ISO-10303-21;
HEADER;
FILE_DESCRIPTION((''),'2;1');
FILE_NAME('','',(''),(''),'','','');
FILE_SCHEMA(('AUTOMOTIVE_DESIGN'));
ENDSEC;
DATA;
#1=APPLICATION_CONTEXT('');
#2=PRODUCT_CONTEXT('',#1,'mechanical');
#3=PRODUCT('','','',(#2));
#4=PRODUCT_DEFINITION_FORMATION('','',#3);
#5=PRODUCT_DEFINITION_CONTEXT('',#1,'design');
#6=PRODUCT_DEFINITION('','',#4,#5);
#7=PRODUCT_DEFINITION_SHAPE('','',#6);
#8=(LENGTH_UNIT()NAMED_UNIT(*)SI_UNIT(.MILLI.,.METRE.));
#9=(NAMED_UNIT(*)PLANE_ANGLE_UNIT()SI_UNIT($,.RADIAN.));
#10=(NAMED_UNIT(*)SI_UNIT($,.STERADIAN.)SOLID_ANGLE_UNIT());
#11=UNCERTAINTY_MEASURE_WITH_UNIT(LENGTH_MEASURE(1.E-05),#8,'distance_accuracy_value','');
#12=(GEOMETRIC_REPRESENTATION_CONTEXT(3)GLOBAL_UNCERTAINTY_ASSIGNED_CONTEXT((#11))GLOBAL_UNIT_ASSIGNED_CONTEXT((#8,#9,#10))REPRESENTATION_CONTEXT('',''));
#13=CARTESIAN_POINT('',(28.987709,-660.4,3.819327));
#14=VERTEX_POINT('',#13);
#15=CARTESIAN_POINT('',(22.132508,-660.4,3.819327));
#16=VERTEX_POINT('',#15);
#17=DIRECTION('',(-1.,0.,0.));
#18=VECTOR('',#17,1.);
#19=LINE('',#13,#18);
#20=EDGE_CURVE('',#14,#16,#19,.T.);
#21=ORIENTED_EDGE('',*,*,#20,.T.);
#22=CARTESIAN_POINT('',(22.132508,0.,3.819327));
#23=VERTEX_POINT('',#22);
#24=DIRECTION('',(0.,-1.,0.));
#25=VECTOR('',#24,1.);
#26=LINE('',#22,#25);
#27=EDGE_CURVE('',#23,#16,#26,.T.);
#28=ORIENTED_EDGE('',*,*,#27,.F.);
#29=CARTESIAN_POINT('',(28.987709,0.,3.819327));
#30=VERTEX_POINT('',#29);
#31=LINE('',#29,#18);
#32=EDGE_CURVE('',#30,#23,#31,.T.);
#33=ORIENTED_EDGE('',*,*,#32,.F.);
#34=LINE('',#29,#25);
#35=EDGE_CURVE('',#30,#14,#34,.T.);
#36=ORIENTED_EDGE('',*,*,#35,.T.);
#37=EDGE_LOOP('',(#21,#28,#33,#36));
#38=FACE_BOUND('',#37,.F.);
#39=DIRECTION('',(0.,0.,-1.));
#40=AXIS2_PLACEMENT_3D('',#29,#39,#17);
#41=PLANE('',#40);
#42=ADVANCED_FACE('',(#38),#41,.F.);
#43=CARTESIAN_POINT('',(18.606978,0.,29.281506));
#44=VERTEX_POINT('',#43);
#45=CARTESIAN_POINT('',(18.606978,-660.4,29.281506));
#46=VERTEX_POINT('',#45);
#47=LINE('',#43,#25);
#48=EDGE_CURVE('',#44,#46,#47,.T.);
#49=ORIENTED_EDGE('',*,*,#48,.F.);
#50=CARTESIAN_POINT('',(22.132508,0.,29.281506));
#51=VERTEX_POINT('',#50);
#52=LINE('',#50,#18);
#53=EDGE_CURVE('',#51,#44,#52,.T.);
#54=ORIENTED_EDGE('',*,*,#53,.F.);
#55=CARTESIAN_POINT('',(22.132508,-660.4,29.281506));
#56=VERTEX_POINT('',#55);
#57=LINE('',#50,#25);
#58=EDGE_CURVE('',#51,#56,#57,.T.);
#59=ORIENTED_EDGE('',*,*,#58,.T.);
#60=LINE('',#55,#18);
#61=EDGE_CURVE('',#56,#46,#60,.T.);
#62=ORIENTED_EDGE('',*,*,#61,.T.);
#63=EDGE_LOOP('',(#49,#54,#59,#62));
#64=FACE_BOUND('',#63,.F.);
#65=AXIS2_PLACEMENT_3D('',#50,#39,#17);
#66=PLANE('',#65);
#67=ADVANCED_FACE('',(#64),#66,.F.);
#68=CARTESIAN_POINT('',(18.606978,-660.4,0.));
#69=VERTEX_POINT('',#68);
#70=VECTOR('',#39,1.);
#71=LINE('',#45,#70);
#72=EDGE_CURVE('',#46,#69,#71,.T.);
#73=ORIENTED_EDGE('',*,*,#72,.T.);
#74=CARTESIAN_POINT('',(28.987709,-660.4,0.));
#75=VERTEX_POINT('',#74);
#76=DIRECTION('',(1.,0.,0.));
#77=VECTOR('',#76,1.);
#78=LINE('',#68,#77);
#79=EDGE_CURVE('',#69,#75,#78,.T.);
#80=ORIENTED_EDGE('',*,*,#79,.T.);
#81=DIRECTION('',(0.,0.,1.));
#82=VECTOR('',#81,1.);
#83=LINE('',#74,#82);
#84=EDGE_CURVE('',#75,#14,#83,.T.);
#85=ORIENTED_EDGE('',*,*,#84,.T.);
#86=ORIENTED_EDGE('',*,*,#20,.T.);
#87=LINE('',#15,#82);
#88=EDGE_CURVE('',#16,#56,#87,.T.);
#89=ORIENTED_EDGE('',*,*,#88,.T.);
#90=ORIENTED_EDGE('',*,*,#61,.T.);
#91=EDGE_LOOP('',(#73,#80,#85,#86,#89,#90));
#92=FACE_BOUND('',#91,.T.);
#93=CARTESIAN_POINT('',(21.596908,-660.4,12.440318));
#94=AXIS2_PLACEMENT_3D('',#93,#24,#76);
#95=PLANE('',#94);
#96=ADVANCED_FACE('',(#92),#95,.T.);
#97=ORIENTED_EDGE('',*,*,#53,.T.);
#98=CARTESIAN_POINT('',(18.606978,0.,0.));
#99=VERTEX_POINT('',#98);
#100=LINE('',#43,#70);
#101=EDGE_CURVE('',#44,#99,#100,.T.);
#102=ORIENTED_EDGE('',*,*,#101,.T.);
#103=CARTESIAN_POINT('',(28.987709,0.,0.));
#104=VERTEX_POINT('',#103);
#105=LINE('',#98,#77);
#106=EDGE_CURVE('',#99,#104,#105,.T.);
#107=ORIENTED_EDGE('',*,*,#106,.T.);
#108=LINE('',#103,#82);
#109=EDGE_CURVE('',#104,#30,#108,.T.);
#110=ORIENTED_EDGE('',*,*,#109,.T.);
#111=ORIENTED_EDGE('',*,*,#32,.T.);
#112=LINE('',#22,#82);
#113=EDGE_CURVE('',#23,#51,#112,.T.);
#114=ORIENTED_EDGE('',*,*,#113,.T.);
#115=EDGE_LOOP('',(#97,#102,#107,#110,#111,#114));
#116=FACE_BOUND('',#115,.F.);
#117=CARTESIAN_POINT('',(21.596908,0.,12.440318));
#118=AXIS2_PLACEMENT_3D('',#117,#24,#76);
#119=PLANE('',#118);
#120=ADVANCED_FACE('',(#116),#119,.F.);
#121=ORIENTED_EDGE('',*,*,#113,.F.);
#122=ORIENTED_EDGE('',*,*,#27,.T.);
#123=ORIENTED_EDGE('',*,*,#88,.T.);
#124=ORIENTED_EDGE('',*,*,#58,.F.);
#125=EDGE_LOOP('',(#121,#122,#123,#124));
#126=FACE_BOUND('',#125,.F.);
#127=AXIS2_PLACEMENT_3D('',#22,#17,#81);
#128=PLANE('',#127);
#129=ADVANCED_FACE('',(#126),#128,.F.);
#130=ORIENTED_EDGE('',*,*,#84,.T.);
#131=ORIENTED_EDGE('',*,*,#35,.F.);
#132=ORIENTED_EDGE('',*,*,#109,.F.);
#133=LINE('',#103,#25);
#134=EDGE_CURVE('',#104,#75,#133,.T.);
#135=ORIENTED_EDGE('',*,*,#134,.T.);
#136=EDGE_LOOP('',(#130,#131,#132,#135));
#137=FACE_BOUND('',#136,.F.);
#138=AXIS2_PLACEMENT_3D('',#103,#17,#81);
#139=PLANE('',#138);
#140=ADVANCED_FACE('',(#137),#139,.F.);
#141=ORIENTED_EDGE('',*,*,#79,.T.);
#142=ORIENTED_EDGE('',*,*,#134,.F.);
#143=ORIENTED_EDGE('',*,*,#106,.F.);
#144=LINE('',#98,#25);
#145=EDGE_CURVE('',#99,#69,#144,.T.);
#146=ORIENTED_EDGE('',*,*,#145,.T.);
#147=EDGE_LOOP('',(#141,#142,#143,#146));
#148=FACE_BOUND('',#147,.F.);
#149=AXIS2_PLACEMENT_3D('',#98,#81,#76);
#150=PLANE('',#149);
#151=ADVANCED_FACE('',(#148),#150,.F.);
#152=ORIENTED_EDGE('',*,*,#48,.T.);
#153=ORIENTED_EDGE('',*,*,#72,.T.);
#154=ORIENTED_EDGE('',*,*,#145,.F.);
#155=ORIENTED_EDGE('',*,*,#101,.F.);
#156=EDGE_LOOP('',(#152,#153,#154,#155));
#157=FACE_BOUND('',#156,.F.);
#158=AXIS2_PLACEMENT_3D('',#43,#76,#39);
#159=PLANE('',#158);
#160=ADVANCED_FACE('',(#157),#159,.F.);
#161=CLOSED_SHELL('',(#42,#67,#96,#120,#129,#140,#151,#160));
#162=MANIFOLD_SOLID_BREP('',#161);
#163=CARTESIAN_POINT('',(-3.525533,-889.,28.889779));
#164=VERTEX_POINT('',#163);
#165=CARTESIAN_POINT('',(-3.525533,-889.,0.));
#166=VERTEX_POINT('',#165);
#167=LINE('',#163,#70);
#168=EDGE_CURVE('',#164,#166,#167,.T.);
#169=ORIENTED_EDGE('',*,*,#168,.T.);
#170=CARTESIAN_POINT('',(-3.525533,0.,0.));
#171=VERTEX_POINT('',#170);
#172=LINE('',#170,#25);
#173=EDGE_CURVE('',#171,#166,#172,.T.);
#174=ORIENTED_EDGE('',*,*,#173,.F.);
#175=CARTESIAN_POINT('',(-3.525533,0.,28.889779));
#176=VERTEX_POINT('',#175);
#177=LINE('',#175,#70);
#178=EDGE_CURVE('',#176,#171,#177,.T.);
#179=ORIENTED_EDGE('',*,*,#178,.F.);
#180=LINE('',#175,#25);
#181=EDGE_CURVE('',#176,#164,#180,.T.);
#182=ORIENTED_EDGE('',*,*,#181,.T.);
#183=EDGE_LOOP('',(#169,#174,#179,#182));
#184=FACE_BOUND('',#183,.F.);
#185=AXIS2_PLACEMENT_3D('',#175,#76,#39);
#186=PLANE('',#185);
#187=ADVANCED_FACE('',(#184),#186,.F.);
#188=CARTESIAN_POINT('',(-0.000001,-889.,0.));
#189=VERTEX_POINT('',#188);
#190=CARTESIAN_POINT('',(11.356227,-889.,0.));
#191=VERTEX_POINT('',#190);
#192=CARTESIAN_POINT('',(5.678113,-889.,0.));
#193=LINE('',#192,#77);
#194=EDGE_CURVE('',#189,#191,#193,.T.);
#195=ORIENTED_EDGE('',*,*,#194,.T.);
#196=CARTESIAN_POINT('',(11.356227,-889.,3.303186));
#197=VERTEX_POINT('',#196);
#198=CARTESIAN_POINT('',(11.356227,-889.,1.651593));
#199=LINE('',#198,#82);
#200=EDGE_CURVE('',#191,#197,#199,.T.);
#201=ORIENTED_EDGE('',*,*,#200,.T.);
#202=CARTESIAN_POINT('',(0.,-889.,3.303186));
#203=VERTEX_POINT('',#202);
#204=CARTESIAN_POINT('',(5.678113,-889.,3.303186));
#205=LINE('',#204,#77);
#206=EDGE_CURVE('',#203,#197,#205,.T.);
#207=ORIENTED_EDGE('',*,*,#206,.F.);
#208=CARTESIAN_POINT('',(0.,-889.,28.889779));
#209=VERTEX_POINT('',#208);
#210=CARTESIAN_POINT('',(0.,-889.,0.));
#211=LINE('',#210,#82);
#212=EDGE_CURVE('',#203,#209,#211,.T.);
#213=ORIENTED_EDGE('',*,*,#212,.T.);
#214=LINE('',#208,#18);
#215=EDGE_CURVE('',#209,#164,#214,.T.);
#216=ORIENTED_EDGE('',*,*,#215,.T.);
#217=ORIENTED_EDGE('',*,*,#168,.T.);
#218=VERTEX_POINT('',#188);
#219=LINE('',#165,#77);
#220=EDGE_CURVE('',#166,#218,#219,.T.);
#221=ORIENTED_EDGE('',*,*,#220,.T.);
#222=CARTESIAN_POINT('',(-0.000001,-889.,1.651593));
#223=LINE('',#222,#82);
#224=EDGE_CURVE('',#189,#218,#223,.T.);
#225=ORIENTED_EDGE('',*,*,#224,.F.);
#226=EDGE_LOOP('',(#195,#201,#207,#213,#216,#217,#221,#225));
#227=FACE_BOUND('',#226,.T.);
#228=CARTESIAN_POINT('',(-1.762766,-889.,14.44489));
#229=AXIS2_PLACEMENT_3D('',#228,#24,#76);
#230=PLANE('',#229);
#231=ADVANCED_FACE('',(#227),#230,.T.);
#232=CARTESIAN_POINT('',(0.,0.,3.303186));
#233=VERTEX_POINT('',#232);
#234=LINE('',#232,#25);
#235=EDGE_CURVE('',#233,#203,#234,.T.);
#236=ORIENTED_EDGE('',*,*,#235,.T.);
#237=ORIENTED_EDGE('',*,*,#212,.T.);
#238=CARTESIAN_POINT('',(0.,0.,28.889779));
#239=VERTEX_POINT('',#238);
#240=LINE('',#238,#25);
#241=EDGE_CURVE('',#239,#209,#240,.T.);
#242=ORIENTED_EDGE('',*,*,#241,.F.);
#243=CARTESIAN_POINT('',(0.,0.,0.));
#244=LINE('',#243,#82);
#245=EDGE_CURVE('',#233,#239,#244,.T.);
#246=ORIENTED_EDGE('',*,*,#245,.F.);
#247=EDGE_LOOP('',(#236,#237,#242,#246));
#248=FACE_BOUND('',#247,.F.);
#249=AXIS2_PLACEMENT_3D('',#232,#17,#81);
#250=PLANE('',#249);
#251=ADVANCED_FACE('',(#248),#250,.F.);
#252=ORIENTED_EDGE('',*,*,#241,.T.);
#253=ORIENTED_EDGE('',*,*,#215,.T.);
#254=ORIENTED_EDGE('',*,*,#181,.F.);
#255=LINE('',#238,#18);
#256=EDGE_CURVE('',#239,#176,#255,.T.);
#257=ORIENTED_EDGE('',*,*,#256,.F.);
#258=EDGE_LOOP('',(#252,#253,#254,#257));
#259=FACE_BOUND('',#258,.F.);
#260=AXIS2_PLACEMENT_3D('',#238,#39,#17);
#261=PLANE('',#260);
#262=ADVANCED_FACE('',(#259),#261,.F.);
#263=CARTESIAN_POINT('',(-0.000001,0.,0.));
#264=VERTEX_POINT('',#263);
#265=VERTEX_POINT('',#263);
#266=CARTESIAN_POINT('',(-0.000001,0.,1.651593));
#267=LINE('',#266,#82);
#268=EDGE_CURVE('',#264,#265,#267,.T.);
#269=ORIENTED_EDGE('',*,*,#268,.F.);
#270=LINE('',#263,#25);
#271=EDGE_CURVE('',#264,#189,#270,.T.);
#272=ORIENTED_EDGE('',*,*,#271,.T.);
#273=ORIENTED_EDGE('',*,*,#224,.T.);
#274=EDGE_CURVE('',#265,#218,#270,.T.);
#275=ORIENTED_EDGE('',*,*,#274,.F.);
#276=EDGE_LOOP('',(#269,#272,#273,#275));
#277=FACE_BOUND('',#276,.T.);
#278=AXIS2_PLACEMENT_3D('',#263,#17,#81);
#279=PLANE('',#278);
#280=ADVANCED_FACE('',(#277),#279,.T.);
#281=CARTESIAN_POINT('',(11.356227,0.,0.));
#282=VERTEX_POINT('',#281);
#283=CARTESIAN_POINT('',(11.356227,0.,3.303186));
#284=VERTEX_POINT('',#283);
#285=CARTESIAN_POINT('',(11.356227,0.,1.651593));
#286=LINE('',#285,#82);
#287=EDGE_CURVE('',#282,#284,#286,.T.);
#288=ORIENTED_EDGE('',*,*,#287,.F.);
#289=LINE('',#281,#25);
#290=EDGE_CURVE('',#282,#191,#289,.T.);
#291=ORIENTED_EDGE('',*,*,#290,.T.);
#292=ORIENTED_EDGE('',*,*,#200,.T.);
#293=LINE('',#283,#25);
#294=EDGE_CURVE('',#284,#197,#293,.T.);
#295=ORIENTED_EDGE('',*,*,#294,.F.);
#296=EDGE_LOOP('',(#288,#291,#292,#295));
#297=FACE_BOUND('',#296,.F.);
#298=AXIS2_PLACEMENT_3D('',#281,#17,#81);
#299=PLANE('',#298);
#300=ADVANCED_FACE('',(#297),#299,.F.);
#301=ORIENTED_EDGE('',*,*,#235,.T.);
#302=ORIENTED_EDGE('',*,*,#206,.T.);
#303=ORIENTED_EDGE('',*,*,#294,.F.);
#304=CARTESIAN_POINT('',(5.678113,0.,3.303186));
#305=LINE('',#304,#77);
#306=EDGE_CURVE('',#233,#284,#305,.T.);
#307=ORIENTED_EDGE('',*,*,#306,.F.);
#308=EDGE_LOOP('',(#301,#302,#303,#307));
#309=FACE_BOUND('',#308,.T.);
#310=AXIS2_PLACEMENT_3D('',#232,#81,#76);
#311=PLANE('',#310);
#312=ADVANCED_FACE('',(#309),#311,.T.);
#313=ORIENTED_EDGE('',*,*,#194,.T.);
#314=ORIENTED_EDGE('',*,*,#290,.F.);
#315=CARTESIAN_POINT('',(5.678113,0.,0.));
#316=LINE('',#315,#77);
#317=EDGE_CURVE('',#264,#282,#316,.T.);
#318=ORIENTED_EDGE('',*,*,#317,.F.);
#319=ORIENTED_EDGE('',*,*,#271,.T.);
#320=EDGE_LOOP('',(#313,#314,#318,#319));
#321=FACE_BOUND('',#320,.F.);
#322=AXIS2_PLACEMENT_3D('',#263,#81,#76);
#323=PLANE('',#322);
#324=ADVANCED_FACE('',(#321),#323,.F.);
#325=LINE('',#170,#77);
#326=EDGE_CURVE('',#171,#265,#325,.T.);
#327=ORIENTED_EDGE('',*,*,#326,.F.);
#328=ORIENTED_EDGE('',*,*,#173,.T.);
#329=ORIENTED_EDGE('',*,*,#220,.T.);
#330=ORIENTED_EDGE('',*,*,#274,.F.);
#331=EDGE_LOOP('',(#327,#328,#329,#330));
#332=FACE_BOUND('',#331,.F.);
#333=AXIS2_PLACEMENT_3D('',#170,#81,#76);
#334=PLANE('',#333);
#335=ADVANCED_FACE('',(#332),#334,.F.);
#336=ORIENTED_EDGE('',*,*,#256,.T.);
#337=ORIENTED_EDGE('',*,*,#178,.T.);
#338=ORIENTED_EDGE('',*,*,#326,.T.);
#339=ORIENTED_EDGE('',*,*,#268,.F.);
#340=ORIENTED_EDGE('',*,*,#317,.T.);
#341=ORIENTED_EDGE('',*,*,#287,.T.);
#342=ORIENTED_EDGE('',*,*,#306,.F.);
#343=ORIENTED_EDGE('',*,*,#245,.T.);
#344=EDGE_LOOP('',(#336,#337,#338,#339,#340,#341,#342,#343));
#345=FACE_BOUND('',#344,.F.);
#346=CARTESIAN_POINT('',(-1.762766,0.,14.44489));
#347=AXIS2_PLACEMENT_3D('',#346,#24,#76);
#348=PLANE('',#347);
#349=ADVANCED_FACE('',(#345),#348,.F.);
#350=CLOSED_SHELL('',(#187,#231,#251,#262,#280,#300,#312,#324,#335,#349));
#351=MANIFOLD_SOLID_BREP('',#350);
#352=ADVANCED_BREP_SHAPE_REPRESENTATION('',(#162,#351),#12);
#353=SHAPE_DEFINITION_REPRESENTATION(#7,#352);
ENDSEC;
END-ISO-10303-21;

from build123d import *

# Parameters (mm, degrees)
F0_W     = 11.356227
F0_H     = 3.303187
F1_DEPTH = 889
F3_DEPTH = 660.4


with BuildPart() as f1:
    # F0 (on Front) → F1 (new body)
    with BuildSketch(Plane.XZ):
        Polygon((-3.525533, 0), (0, 0), (0, 3.303187), (0, 28.889779), (-3.525533, 28.889779), align=None)
        with Locations((5.678113, 1.651593)):
            Rectangle(F0_W, F0_H)
    extrude(amount=F1_DEPTH)


with BuildPart() as f3:
    # F2 (on Front) → F3 (new body)
    with BuildSketch(Plane.XZ):
        Polygon((18.606978, 29.281506), (18.606978, 0), (28.987709, 0), (28.987709, 3.819327), (22.132508, 3.819327), (22.132508, 29.281506), align=None)
    extrude(amount=F3_DEPTH)


solid = Compound([f1.part, f3.part])
